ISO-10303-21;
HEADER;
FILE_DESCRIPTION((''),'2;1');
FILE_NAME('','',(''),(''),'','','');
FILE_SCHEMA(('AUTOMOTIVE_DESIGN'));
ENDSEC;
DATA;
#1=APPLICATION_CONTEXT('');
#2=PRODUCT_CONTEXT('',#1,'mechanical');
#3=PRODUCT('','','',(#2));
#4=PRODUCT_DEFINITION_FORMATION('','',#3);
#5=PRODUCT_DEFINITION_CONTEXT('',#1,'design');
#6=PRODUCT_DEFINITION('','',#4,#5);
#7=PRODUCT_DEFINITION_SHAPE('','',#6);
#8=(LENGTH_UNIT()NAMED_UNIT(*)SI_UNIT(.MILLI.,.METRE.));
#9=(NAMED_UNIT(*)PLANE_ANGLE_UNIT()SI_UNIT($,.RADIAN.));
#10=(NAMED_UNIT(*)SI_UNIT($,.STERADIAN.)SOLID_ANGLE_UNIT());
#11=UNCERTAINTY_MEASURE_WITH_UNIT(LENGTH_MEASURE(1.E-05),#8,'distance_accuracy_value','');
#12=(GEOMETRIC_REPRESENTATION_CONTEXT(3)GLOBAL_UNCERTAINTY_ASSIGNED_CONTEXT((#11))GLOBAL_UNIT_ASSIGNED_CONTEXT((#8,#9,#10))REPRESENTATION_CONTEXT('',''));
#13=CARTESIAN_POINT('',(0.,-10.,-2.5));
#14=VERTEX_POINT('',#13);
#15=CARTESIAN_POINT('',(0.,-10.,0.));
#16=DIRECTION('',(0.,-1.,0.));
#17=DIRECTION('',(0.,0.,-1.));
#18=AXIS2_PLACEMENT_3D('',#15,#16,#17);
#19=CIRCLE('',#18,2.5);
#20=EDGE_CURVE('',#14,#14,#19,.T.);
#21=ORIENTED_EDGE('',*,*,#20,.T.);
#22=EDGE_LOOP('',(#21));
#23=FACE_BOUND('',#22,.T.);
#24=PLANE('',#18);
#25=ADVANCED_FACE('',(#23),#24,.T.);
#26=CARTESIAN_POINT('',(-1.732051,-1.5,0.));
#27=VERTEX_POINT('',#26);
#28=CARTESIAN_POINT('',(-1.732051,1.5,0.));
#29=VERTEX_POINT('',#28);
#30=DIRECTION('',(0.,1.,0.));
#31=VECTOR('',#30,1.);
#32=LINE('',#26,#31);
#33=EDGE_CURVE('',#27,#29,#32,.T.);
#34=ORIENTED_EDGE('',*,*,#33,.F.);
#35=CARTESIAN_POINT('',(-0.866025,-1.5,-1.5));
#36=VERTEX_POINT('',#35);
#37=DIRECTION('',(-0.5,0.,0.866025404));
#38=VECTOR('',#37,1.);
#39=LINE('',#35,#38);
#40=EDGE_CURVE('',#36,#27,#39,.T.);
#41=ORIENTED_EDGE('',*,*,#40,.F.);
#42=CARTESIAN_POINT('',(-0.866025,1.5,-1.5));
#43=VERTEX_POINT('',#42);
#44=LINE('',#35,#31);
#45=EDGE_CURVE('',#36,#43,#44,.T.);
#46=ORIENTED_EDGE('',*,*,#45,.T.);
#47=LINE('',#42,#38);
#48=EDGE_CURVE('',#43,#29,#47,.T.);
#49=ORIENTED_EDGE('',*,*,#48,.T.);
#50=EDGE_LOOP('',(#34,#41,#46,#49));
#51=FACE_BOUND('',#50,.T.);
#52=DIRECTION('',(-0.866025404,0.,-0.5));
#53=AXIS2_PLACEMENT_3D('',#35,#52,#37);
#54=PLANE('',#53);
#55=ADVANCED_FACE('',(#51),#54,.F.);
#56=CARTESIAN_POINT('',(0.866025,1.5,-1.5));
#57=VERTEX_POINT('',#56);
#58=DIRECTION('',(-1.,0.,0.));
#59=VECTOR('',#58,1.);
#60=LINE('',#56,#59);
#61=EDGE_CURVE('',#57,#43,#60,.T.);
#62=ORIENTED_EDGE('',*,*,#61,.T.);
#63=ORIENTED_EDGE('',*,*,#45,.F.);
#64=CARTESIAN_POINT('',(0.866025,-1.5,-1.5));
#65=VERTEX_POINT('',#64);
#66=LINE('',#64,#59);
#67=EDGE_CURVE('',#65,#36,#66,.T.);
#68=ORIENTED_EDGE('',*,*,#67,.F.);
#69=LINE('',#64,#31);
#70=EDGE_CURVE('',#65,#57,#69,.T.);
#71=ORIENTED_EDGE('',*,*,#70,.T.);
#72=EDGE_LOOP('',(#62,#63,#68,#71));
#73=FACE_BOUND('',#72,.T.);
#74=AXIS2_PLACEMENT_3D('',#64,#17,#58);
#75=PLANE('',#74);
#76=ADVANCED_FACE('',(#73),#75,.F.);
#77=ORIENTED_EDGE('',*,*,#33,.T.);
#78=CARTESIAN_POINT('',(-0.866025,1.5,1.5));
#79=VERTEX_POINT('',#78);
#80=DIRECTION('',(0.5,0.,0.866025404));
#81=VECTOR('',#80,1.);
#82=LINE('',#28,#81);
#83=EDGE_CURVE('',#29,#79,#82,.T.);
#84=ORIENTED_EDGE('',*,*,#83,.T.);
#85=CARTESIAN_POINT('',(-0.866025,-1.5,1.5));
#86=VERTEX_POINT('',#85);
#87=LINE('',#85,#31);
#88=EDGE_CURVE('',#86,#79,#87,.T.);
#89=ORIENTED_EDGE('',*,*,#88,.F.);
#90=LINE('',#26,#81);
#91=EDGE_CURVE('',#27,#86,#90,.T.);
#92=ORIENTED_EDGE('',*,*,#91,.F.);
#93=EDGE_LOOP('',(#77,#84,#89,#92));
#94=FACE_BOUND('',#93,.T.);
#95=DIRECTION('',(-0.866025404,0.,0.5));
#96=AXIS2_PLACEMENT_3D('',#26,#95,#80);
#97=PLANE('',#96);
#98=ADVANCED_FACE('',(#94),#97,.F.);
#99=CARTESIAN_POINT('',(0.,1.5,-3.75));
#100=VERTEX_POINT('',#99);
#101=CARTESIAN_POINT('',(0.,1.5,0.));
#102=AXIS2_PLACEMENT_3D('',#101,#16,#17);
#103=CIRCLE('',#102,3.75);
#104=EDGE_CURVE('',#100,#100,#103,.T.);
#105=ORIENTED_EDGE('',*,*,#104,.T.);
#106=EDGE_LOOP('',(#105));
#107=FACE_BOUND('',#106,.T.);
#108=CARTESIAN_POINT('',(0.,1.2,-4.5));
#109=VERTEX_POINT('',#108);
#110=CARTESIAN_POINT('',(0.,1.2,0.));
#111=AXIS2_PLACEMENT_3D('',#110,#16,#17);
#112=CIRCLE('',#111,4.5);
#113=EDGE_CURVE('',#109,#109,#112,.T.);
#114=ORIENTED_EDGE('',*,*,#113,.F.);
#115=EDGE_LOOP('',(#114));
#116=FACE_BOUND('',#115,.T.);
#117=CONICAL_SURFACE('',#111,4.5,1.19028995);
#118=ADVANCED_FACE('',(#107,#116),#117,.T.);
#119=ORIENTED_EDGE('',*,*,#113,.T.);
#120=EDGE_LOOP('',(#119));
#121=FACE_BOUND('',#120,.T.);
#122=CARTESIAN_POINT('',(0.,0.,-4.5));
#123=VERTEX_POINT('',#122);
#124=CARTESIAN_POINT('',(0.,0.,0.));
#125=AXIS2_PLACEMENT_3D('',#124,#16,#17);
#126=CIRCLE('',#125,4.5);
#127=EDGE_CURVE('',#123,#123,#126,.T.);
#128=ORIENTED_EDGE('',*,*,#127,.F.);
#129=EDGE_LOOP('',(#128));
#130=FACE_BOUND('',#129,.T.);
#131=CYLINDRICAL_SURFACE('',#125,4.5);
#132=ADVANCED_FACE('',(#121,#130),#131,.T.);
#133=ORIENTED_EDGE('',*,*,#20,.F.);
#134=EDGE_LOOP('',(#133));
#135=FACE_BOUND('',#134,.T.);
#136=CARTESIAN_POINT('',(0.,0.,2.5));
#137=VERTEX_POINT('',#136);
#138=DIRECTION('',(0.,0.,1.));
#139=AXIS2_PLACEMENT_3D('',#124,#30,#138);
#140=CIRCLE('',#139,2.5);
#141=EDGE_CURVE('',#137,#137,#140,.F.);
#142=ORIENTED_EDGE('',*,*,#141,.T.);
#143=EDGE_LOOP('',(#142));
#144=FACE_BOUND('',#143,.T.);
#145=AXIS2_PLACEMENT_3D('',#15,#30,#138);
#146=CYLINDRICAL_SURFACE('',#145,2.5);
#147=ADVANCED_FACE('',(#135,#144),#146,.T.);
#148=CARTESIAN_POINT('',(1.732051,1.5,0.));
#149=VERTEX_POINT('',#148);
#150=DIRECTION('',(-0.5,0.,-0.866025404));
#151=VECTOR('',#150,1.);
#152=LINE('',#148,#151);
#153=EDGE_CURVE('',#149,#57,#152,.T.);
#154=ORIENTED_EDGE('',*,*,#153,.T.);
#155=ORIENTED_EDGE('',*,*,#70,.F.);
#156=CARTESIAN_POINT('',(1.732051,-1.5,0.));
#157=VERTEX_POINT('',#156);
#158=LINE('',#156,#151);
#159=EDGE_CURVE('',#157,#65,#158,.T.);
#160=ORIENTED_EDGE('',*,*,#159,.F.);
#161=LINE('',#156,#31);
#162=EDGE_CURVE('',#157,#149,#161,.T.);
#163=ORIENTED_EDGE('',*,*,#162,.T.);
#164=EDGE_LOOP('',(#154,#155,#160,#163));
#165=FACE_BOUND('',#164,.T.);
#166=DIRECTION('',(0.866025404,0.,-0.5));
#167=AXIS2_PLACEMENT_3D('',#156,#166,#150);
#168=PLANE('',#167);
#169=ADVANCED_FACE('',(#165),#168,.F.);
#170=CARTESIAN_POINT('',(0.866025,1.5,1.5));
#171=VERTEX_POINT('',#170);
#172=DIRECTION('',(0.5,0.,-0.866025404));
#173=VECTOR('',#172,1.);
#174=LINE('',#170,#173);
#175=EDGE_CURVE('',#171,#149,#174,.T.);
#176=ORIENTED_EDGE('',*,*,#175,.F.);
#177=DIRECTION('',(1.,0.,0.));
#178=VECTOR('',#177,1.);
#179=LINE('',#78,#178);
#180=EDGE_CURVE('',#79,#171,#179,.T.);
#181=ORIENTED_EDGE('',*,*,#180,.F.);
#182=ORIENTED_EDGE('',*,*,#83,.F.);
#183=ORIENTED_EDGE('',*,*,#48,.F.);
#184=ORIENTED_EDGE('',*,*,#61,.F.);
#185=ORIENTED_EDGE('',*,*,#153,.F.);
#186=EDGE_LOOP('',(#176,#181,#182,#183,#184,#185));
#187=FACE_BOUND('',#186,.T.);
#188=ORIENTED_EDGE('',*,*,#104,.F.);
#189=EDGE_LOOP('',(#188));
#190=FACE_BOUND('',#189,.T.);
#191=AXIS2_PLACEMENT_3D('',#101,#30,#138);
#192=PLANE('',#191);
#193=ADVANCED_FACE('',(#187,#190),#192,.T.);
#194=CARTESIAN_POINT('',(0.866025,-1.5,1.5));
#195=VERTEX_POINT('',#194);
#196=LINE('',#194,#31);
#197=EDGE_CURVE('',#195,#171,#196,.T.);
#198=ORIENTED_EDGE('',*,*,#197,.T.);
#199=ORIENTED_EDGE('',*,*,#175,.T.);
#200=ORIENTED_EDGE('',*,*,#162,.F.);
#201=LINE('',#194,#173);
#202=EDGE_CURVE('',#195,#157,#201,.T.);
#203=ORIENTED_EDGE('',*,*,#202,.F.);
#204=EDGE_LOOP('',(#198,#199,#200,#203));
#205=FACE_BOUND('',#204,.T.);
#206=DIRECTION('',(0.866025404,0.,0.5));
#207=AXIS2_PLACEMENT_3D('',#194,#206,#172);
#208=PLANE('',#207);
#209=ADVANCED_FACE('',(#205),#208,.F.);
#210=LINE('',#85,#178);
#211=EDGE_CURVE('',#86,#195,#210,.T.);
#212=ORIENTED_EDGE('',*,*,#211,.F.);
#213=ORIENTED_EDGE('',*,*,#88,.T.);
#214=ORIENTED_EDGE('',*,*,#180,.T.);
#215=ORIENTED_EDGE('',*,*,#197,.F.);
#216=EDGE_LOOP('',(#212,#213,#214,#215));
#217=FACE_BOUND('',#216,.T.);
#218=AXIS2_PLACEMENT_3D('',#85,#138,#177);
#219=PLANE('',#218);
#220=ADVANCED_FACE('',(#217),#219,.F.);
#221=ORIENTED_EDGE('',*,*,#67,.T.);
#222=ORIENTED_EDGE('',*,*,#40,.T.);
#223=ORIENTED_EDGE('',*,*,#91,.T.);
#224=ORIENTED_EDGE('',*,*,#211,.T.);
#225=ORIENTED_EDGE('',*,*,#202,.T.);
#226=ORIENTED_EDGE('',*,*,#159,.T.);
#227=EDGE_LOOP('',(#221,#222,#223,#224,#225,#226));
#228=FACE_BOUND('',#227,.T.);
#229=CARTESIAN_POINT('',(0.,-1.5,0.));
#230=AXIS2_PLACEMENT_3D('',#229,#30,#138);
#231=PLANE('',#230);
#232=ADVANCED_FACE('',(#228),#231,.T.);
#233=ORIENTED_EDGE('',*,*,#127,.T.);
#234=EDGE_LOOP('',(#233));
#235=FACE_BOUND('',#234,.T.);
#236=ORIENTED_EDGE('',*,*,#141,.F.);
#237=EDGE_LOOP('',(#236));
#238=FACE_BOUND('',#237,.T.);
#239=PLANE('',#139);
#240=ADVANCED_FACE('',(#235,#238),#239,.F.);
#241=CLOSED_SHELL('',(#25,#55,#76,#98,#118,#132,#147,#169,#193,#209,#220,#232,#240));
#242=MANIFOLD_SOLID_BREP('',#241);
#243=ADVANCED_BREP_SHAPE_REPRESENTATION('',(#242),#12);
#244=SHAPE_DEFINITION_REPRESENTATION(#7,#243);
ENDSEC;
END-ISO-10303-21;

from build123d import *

# Parameters (mm, degrees)
SKETCH3_R           = 2.5
BOSS_EXTRUDE1_DEPTH = 10
CUT_EXTRUDE2_DEPTH  = 3


with BuildPart() as part:
    # Sketch1 → Revolve1 (revolve)
    with BuildSketch(Plane.XY, mode=Mode.PRIVATE) as revolve1_sk:
        Polygon((-2.5, 0), (0, 0), (0, 1.5), (-3.75, 1.5), (-4.5, 1.2), (-4.5, 0), align=None)
    revolve(revolve1_sk.sketch.rotate(Axis((0, 0, 0), (0, 1, 0)), 270), axis=Axis((0, 0, 0), (0, 1, 0)))

    # Sketch3 → Boss-Extrude1 (add)
    with BuildSketch(Plane.XZ):
        with Locations(Location((0, 0, 0), (0, 0, 90))):
            Circle(SKETCH3_R)
    extrude(amount=BOSS_EXTRUDE1_DEPTH)

    # Sketch2 → Cut-Extrude2 (cut)
    with BuildSketch(Plane(origin=(0, 1.5, 0), x_dir=(1, 0, 0), z_dir=(0, 1, 0))):
        Polygon((1.732050808, 0), (0.866025404, 1.5), (-0.866025404, 1.5), (-1.732050808, 0), (-0.866025404, -1.5), (0.866025404, -1.5), align=None)
    extrude(amount=-CUT_EXTRUDE2_DEPTH, mode=Mode.SUBTRACT)


solid = part.part
